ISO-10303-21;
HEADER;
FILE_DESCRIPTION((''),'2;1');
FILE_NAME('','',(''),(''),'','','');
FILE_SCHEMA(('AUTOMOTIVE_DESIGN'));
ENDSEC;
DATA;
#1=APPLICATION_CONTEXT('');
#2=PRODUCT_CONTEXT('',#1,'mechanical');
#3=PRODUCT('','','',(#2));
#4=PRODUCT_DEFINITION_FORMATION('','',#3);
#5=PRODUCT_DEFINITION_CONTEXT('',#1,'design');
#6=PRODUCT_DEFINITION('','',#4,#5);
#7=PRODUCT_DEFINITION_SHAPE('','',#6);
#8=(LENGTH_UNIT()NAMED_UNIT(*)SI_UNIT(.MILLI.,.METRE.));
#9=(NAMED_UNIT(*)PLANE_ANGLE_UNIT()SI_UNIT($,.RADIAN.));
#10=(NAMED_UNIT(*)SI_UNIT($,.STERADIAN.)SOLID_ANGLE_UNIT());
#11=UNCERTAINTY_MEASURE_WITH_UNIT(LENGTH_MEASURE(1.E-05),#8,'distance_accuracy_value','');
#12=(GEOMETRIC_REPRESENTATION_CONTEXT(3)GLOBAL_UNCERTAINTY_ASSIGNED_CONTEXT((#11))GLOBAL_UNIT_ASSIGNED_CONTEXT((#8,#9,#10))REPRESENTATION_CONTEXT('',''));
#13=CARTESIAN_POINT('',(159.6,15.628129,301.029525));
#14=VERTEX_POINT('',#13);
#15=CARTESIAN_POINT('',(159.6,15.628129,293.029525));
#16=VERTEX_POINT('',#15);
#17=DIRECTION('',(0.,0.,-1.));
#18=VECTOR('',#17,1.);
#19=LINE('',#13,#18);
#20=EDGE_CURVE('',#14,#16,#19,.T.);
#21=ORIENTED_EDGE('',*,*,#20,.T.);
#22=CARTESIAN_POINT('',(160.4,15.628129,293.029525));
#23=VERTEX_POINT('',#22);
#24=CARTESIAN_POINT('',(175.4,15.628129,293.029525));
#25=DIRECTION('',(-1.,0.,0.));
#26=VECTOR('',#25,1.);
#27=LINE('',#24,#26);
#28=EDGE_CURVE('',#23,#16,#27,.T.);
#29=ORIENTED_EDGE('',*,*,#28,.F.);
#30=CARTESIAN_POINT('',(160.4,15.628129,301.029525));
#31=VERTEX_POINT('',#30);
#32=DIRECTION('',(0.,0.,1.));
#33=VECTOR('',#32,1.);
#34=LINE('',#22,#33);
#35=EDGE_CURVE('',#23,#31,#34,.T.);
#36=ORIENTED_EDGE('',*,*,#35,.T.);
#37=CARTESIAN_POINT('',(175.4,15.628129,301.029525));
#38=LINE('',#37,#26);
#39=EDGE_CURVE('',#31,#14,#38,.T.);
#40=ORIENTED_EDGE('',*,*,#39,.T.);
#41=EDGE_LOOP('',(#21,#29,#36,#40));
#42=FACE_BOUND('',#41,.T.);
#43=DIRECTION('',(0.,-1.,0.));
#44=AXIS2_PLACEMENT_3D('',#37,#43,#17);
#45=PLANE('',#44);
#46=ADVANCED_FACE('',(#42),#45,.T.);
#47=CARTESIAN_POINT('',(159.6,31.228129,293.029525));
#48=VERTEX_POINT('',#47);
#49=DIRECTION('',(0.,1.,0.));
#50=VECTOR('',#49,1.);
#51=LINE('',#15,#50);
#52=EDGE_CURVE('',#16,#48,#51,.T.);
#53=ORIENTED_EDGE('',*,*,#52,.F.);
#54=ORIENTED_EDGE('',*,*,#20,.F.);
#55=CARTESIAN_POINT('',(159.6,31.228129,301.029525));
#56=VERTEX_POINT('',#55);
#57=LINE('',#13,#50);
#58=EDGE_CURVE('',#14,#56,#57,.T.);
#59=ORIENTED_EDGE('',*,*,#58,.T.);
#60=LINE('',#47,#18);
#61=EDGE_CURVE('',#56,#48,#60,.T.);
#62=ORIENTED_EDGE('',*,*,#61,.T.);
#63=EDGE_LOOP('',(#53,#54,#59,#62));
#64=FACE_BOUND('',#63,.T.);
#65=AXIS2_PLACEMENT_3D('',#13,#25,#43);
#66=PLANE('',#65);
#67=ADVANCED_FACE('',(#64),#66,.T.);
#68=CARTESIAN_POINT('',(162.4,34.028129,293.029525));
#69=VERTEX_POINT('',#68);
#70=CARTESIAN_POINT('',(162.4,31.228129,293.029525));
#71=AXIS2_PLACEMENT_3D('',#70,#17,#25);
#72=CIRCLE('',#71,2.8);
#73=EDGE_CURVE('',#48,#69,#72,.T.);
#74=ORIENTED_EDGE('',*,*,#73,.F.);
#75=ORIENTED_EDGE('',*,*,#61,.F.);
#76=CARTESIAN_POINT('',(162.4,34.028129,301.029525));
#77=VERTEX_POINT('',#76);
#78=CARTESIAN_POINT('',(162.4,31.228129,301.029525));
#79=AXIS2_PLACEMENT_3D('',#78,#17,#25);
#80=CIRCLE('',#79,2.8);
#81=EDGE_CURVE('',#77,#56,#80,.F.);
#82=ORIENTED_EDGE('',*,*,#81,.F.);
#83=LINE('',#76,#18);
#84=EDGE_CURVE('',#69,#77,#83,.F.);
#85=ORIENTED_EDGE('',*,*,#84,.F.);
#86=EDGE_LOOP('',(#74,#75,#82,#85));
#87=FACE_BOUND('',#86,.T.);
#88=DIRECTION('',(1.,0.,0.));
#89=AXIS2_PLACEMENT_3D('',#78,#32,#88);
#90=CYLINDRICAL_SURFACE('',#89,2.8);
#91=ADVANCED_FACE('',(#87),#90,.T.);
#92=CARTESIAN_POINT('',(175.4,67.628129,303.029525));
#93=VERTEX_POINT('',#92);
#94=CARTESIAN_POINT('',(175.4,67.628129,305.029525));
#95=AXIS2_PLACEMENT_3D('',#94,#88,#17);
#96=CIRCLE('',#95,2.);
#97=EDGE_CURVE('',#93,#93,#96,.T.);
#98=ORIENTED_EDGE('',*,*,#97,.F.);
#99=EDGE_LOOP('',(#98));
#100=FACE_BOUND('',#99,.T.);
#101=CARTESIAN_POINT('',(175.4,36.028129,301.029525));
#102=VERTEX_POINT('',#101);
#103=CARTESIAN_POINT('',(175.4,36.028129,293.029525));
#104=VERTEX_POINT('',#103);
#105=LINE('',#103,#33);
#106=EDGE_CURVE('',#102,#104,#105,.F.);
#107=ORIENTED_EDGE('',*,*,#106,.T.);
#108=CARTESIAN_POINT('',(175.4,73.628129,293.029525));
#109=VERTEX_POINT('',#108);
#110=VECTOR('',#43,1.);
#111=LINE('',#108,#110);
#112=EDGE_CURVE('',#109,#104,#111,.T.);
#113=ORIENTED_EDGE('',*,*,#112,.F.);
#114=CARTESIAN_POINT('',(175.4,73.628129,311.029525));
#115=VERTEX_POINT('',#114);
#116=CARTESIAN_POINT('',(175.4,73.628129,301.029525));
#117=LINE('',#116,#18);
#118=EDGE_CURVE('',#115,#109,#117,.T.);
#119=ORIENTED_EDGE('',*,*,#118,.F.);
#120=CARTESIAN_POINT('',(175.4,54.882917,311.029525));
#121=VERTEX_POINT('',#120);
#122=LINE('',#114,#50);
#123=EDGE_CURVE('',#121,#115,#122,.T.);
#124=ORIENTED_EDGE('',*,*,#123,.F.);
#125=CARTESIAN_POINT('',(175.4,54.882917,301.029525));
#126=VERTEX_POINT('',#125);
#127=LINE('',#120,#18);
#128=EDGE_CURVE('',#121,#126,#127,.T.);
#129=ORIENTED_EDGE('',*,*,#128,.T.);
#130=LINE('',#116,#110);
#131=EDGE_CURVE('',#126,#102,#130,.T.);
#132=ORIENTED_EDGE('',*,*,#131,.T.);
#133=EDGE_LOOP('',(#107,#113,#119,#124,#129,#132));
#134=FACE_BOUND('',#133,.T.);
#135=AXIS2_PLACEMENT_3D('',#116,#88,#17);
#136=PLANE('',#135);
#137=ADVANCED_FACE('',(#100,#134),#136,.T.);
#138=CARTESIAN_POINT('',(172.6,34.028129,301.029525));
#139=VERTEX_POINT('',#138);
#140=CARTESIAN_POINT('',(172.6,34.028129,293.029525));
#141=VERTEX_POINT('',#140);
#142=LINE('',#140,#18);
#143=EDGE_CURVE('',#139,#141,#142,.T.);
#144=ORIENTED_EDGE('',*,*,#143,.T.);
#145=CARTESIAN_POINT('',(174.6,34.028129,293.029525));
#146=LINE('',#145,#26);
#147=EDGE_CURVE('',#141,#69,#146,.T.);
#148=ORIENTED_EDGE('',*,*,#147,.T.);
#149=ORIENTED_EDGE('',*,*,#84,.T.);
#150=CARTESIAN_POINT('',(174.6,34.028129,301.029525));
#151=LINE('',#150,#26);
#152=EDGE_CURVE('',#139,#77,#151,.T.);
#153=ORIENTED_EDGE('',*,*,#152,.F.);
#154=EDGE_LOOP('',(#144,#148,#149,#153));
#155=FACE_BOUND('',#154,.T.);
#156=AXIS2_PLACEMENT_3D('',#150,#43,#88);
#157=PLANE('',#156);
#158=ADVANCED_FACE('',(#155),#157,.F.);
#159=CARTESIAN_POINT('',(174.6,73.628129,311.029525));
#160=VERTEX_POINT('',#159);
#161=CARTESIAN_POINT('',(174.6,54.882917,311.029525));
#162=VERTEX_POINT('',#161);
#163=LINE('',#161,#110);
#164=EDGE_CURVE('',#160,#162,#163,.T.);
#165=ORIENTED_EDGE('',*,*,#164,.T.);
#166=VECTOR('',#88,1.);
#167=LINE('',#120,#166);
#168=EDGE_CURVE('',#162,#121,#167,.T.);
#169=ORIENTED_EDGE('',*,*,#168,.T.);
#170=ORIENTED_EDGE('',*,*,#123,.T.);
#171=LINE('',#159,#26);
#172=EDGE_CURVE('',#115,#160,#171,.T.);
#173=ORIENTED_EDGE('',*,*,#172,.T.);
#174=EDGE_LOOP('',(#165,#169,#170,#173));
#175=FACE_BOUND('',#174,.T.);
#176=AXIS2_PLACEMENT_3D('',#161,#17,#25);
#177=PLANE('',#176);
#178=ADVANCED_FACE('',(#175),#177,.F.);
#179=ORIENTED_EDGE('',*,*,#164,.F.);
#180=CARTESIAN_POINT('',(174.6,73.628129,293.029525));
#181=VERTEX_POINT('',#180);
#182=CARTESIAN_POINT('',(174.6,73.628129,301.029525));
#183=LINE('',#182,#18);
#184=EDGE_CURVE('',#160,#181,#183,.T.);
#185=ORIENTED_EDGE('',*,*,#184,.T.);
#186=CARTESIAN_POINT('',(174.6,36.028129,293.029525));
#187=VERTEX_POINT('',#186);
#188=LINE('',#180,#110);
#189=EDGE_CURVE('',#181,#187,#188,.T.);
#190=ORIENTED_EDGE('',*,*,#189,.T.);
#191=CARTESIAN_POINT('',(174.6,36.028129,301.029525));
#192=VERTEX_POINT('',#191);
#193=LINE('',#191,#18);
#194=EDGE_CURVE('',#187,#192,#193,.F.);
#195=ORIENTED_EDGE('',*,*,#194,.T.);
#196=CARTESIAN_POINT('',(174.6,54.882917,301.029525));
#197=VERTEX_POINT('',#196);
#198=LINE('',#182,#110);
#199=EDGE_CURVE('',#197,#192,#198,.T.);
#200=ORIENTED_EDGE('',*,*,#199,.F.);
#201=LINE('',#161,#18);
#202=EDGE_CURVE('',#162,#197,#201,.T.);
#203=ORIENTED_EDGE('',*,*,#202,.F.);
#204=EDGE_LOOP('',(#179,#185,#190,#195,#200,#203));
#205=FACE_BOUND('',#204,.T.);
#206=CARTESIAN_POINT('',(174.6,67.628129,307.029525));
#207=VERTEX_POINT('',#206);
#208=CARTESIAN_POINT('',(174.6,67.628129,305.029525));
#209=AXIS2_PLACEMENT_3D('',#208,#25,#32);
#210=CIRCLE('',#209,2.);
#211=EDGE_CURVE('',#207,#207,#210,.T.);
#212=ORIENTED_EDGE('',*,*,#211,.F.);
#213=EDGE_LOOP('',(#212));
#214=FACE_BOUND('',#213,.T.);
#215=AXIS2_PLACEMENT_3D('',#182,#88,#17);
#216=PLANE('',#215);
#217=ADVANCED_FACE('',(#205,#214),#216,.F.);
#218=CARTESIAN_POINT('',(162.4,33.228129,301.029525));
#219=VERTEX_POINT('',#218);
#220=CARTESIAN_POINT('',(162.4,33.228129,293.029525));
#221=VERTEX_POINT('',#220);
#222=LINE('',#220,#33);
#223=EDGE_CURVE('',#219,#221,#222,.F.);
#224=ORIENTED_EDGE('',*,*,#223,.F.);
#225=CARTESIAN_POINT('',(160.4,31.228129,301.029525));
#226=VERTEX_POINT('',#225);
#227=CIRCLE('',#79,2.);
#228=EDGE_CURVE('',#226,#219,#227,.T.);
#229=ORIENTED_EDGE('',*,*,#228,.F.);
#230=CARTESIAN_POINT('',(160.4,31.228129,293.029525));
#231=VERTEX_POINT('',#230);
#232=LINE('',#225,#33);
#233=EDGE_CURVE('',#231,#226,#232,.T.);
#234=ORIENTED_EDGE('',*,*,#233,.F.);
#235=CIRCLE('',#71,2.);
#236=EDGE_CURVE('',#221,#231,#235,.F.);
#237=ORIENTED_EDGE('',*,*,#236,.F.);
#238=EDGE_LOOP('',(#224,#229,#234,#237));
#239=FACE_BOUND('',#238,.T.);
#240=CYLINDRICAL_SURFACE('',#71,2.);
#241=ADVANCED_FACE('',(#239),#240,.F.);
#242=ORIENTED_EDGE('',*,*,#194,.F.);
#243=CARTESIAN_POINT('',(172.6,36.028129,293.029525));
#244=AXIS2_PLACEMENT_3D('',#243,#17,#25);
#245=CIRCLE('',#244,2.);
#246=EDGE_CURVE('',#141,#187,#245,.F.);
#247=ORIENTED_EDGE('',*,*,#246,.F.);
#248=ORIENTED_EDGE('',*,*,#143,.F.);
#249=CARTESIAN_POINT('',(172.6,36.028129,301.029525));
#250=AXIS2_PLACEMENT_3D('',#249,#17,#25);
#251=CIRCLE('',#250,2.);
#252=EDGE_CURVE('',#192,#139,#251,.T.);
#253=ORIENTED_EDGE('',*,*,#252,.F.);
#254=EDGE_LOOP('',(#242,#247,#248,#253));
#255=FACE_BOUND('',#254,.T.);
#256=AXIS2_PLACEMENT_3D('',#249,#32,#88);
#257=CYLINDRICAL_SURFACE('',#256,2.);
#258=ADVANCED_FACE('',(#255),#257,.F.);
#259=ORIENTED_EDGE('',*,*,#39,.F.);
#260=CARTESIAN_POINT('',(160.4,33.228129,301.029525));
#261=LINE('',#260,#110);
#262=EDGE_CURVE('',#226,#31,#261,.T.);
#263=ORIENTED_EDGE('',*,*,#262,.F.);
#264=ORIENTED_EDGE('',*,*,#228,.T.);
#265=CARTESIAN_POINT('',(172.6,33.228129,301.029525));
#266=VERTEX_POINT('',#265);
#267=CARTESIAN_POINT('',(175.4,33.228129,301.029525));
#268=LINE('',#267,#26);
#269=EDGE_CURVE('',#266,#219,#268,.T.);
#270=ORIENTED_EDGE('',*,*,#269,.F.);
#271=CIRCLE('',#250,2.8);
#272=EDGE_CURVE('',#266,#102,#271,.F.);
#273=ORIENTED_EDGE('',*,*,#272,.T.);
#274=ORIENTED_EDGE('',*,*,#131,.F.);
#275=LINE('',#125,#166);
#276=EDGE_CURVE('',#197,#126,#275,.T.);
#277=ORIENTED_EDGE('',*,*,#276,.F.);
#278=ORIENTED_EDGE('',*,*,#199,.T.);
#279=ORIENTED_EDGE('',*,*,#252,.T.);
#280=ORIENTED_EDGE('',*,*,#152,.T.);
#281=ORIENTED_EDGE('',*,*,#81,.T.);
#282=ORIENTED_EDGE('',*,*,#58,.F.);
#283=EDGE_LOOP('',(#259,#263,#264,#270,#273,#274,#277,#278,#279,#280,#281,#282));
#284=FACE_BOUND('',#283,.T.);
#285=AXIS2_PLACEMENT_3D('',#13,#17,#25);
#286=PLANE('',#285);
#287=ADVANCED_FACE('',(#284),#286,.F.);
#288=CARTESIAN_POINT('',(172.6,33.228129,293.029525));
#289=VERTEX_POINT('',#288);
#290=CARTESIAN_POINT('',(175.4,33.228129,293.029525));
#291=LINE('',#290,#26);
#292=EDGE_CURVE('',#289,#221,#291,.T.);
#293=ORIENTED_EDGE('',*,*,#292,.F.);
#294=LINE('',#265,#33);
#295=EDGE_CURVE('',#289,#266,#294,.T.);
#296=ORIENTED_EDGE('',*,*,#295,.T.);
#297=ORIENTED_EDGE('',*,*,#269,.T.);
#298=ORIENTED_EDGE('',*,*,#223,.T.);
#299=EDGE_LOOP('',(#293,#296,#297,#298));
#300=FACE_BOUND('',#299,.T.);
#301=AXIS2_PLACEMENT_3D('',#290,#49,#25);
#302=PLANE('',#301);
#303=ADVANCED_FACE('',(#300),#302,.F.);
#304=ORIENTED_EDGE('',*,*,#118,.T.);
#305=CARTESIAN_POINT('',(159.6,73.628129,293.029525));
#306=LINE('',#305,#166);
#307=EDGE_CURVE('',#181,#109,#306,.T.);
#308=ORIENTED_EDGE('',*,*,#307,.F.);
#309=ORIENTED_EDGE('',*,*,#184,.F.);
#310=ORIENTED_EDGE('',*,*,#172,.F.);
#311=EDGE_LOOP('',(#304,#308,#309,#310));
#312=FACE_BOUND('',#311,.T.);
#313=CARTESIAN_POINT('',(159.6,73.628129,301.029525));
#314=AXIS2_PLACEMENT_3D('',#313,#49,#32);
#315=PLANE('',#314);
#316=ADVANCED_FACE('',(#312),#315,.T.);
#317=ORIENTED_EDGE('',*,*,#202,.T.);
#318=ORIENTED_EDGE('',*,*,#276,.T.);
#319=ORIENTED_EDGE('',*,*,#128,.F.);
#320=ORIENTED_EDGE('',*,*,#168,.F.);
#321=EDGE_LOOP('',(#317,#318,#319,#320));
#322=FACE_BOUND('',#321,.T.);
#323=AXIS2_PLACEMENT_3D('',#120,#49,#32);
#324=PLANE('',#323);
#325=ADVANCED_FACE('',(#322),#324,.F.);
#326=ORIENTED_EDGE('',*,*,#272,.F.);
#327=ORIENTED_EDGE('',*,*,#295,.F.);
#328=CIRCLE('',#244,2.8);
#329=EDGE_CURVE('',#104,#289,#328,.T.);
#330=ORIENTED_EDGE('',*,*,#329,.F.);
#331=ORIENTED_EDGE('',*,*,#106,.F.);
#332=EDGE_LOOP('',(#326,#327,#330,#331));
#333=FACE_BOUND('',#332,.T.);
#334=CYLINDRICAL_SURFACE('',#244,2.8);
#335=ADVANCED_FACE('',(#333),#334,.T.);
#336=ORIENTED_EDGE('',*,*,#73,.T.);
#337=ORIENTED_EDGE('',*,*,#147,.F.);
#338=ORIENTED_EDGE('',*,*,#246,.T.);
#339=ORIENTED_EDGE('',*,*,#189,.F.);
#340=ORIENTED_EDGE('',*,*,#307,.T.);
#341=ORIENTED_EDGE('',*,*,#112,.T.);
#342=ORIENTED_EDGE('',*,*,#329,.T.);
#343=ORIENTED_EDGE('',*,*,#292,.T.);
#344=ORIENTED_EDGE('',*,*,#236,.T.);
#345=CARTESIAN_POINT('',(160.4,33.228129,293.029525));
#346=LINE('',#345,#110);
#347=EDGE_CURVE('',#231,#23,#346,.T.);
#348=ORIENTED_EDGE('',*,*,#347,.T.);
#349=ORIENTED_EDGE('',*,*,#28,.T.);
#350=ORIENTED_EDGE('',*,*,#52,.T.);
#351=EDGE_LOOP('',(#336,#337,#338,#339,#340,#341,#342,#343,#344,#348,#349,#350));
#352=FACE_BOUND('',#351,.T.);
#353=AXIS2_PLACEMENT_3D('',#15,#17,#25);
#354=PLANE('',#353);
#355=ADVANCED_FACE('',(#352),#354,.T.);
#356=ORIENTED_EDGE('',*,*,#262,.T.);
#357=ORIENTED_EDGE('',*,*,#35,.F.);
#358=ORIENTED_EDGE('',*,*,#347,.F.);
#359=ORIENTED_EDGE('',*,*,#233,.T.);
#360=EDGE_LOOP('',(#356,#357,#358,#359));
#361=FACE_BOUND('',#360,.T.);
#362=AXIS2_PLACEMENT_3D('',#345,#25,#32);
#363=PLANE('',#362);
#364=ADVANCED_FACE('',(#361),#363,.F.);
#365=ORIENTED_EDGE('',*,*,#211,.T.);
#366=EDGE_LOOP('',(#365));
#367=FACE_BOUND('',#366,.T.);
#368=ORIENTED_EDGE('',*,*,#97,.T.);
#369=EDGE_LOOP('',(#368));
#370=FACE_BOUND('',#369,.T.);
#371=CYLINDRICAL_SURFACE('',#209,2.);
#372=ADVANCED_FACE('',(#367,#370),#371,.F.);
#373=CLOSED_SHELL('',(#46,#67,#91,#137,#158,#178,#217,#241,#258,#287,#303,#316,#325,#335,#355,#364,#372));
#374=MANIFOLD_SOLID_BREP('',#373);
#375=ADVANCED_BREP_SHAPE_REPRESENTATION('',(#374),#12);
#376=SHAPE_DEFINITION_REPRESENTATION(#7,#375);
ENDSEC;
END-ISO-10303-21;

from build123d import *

# Parameters (mm, degrees)
SKETCH1_W           = 15.8
SKETCH1_H           = 58
BOSS_EXTRUDE1_DEPTH = 8
SKETCH2_W           = 15
SKETCH2_H           = 39.6
CUT_EXTRUDE1_DEPTH  = 191.395014145
SKETCH3_W           = 0.8
SKETCH3_H           = 18.745212198
BOSS_EXTRUDE2_DEPTH = 10
SKETCH4_W           = 15
SKETCH4_H           = 17.6
CUT_EXTRUDE2_DEPTH  = 191.489530975
HOLE1_D             = 4
FILLET1_R           = 2
FILLET2_R           = 2
FILLET3_R           = 2.8
FILLET4_R           = 2.8


with BuildPart() as part:
    # Sketch1 → Boss-Extrude1 (new body)
    with BuildSketch(Plane(origin=(0, 0, 293.029524909), x_dir=(-1, 0, 0), z_dir=(0, 0, -1))):
        with Locations((-167.5, 44.628129211)):
            Rectangle(SKETCH1_W, SKETCH1_H)
    extrude(amount=-BOSS_EXTRUDE1_DEPTH)

    # Sketch2 → Cut-Extrude1 (cut, through all)
    with BuildSketch(Plane(origin=(0, 0, 293.029524909), x_dir=(-1, 0, 0), z_dir=(0, 0, -1))):
        with Locations((-167.1, 53.828129211)):
            Rectangle(SKETCH2_W, SKETCH2_H)
    extrude(amount=-CUT_EXTRUDE1_DEPTH, mode=Mode.SUBTRACT)

    # Sketch3 → Boss-Extrude2 (add)
    with BuildSketch(Plane.XY.offset(301.029524909)):
        with Locations((175, 64.255523112)):
            Rectangle(SKETCH3_W, SKETCH3_H)
    extrude(amount=BOSS_EXTRUDE2_DEPTH)

    # Sketch4 → Cut-Extrude2 (cut, through all)
    with BuildSketch(Plane.XY.offset(301.029524909)):
        with Locations((167.9, 24.428129211)):
            Rectangle(SKETCH4_W, SKETCH4_H)
    extrude(amount=-CUT_EXTRUDE2_DEPTH, mode=Mode.SUBTRACT)

    # Hole1 (through all)
    with Locations(Plane.ZY.offset(-174.6)):
        with Locations((305.029524909, 67.628129211)):
            Hole(HOLE1_D / 2)

    # Fillet1
    fillet1_edges = [part.edges().sort_by_distance(p)[0] for p in [
        (160.4, 33.228129211, 297.029524909),
    ]]
    fillet(fillet1_edges, radius=FILLET1_R)

    # Fillet2
    fillet2_edges = [part.edges().sort_by_distance(p)[0] for p in [
        (174.6, 34.028129211, 297.029524909),
    ]]
    fillet(fillet2_edges, radius=FILLET2_R)

    # Fillet3
    fillet3_edges = [part.edges().sort_by_distance(p)[0] for p in [
        (159.6, 34.028129211, 297.029524909),
    ]]
    fillet(fillet3_edges, radius=FILLET3_R)

    # Fillet4
    fillet4_edges = [part.edges().sort_by_distance(p)[0] for p in [
        (175.4, 33.228129211, 297.029524909),
    ]]
    fillet(fillet4_edges, radius=FILLET4_R)


solid = part.part
